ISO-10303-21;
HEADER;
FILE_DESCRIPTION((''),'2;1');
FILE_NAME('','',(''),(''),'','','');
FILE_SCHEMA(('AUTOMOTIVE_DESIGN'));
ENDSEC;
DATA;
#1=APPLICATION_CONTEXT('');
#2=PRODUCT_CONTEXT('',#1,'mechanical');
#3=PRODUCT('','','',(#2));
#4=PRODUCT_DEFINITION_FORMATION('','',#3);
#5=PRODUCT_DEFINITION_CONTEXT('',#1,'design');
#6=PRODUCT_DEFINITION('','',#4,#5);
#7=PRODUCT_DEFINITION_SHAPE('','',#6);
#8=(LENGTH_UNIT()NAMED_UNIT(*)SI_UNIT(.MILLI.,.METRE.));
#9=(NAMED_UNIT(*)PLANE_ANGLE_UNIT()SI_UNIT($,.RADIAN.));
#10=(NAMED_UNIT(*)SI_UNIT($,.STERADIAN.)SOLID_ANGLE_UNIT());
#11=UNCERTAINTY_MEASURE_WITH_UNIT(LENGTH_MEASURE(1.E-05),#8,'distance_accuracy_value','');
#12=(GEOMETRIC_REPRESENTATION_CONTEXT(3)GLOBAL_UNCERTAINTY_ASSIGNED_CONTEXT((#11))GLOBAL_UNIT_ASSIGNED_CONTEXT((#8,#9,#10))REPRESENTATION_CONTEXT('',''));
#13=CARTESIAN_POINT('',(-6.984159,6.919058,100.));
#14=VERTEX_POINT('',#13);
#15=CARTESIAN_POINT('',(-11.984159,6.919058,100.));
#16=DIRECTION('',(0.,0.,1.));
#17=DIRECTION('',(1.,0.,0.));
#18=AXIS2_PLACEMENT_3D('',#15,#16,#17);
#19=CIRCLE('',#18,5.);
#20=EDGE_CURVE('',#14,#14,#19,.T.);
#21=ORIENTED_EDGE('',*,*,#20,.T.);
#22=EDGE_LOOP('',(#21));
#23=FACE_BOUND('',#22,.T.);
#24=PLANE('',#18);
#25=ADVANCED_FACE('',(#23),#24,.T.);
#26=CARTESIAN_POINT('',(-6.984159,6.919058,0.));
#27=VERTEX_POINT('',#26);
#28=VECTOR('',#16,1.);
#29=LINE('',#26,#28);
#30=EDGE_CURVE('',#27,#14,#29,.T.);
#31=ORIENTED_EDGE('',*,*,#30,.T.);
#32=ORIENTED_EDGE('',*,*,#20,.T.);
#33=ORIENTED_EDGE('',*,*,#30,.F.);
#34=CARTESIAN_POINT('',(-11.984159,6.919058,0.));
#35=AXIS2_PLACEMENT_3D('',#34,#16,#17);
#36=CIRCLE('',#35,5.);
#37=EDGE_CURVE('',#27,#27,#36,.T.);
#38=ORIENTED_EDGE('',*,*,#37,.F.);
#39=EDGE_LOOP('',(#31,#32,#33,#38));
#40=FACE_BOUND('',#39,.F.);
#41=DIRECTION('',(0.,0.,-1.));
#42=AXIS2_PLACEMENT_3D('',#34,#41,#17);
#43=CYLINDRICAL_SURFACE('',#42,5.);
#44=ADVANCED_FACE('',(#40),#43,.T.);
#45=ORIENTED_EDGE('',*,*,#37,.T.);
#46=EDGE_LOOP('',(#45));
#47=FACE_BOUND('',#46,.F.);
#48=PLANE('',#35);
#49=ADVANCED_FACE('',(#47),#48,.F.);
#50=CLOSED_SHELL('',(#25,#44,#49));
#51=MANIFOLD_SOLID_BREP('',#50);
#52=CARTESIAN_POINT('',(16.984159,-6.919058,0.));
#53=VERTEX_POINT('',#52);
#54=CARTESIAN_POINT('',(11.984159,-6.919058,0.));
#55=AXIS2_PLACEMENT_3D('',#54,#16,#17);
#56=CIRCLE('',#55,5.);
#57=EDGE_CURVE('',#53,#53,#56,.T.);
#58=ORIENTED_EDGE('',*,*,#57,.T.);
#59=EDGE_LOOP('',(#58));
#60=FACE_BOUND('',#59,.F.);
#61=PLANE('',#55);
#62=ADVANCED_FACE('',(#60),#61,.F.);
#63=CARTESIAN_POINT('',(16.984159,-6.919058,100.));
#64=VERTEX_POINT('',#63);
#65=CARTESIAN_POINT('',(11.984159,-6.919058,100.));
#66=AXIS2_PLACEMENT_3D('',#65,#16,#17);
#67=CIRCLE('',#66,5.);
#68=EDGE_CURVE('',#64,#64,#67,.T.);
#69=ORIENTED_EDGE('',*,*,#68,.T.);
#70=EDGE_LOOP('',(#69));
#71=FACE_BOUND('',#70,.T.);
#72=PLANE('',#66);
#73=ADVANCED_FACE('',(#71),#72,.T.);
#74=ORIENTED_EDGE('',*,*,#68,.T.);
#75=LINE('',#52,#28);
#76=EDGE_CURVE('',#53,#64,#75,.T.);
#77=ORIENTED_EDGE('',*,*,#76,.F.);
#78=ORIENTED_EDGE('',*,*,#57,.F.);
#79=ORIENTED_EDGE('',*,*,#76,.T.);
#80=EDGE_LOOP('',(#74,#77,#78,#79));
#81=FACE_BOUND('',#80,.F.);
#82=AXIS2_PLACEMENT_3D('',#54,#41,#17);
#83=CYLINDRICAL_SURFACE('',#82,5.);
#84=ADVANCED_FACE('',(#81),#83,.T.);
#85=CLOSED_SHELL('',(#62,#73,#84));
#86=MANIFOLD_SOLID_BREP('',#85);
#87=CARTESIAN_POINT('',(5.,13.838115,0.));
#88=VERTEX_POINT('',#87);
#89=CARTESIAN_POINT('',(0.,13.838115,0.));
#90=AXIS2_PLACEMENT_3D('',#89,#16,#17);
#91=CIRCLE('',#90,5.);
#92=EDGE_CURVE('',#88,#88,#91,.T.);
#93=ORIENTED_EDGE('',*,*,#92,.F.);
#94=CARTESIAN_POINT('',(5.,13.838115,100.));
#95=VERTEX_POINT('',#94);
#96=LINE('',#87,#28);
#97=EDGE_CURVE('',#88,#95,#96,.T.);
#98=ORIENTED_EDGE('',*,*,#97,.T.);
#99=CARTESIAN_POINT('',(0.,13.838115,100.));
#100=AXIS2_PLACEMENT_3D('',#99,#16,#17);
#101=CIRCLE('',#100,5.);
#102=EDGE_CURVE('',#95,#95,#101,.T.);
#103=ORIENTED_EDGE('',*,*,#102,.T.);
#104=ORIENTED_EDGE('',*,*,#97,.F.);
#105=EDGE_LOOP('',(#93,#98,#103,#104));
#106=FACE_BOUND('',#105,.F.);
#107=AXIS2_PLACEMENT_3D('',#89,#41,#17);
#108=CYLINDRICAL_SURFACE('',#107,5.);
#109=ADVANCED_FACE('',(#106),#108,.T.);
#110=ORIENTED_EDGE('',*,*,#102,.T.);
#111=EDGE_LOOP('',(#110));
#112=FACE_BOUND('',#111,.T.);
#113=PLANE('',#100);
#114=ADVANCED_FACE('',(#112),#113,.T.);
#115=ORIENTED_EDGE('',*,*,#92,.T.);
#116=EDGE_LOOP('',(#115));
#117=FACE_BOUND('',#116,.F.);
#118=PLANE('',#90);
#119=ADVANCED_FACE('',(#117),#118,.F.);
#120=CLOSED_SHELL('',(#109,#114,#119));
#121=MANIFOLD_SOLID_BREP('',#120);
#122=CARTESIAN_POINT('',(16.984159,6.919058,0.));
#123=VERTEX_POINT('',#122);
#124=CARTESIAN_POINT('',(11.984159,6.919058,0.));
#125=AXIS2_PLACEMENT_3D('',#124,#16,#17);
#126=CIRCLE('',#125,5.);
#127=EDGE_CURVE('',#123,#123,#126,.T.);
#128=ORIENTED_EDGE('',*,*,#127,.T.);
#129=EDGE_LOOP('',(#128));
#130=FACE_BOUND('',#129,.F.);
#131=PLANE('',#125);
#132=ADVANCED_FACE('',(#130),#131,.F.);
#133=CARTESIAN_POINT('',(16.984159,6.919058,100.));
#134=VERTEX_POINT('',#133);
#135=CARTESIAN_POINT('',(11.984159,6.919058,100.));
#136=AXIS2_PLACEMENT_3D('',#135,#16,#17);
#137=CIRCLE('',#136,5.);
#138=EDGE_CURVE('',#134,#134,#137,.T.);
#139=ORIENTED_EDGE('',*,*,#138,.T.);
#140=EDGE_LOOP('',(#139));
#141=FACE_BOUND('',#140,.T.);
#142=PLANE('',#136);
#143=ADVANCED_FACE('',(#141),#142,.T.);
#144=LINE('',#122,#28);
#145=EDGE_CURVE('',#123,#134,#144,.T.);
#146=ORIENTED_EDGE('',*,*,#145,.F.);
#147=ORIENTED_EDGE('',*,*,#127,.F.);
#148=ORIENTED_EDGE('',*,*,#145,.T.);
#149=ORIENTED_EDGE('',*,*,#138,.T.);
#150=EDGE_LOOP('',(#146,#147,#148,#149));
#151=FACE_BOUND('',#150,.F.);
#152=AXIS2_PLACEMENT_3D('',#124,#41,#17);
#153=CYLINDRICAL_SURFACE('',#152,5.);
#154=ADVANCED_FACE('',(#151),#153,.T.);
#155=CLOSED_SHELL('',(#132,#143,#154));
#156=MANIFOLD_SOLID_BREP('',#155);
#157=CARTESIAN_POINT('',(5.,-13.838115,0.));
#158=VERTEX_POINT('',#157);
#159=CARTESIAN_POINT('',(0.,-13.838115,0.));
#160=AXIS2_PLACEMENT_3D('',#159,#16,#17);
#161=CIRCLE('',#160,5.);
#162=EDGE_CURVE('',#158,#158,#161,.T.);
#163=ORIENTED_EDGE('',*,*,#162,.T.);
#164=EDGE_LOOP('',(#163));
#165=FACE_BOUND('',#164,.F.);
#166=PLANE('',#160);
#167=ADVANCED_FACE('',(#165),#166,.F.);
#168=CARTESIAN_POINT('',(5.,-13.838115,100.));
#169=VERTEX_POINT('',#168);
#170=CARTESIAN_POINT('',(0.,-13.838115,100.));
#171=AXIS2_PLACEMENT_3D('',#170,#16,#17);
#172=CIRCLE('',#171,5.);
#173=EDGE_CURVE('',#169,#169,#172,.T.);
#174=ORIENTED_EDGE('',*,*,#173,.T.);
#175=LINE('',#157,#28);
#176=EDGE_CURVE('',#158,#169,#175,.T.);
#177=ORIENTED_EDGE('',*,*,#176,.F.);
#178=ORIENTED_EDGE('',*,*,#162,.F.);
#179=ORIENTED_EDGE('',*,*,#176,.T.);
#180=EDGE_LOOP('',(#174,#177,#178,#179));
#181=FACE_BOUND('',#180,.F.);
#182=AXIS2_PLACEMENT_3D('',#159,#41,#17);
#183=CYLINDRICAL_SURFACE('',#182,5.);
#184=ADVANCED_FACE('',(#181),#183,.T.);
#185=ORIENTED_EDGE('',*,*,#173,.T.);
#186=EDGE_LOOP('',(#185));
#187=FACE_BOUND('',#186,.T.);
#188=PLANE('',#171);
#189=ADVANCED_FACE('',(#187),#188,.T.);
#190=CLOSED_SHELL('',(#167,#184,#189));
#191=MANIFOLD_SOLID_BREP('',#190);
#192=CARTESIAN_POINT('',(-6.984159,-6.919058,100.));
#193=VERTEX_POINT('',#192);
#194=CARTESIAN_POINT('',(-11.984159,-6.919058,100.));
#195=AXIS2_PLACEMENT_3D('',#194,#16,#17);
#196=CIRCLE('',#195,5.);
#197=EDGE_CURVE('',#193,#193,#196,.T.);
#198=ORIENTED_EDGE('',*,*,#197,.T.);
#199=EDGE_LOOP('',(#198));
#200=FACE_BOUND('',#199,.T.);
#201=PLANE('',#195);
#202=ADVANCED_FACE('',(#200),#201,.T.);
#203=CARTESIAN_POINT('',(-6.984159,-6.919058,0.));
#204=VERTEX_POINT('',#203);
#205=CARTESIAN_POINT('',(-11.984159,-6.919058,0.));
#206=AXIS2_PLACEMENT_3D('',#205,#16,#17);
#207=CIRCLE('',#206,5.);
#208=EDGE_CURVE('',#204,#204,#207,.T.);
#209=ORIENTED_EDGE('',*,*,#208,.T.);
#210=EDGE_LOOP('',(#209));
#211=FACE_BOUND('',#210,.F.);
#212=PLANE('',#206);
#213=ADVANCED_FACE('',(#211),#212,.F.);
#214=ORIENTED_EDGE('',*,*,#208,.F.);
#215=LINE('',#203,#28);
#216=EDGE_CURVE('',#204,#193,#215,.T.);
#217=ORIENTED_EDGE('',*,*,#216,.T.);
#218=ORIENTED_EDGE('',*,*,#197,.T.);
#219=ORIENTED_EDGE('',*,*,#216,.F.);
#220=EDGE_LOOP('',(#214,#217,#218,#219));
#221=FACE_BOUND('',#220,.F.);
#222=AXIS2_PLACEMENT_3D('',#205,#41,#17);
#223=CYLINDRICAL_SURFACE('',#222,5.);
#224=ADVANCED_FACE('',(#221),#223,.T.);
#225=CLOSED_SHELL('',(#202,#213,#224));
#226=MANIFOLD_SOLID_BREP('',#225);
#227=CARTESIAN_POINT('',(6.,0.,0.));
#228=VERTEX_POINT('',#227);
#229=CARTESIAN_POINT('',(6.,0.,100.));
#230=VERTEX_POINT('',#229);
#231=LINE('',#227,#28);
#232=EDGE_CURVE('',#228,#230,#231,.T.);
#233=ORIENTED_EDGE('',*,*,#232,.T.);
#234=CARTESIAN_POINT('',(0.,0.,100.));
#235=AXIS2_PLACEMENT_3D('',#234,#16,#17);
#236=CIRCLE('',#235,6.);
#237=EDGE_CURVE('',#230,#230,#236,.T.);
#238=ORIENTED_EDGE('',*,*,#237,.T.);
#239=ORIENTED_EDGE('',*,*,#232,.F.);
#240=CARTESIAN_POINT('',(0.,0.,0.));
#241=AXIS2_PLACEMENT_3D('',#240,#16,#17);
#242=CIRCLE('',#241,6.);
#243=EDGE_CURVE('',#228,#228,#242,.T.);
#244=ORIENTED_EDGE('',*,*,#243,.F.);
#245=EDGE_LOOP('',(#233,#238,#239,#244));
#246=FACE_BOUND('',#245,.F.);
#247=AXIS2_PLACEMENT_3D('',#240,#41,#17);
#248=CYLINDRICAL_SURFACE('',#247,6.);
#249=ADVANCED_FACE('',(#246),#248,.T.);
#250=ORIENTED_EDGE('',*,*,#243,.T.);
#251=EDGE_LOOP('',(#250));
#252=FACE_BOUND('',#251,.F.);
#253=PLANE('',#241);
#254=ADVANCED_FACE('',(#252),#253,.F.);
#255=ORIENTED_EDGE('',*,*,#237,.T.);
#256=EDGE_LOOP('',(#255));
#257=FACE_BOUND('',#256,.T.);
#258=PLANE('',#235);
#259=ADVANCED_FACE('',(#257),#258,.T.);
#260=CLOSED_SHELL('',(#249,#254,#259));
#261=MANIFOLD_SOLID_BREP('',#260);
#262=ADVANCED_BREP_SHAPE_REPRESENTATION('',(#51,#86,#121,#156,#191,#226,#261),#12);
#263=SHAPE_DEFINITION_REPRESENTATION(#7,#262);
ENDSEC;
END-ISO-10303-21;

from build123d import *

# Parameters (mm, degrees)
F0_R     = 5
F1_R     = 5
F1_R_2   = 6
F2_DEPTH = 100


with BuildPart() as f2:
    # F0 (on Top) + F1 (on face) → F2 (new body)
    with BuildSketch(Plane.XY):
        with Locations((0, 13.838115)):
            Circle(F0_R)
        with Locations((-11.984159, 6.919058)):
            Circle(F0_R)
    with BuildSketch(Plane.XY):
        with Locations((11.984159, -6.919058)):
            Circle(F1_R)
        with Locations((11.984159, 6.919058)):
            Circle(F1_R)
        with Locations((-11.984159, -6.919058)):
            Circle(F1_R)
        with Locations((0, -13.838115)):
            Circle(F1_R)
        Circle(F1_R_2)
    extrude(amount=F2_DEPTH)


solid = f2.part
